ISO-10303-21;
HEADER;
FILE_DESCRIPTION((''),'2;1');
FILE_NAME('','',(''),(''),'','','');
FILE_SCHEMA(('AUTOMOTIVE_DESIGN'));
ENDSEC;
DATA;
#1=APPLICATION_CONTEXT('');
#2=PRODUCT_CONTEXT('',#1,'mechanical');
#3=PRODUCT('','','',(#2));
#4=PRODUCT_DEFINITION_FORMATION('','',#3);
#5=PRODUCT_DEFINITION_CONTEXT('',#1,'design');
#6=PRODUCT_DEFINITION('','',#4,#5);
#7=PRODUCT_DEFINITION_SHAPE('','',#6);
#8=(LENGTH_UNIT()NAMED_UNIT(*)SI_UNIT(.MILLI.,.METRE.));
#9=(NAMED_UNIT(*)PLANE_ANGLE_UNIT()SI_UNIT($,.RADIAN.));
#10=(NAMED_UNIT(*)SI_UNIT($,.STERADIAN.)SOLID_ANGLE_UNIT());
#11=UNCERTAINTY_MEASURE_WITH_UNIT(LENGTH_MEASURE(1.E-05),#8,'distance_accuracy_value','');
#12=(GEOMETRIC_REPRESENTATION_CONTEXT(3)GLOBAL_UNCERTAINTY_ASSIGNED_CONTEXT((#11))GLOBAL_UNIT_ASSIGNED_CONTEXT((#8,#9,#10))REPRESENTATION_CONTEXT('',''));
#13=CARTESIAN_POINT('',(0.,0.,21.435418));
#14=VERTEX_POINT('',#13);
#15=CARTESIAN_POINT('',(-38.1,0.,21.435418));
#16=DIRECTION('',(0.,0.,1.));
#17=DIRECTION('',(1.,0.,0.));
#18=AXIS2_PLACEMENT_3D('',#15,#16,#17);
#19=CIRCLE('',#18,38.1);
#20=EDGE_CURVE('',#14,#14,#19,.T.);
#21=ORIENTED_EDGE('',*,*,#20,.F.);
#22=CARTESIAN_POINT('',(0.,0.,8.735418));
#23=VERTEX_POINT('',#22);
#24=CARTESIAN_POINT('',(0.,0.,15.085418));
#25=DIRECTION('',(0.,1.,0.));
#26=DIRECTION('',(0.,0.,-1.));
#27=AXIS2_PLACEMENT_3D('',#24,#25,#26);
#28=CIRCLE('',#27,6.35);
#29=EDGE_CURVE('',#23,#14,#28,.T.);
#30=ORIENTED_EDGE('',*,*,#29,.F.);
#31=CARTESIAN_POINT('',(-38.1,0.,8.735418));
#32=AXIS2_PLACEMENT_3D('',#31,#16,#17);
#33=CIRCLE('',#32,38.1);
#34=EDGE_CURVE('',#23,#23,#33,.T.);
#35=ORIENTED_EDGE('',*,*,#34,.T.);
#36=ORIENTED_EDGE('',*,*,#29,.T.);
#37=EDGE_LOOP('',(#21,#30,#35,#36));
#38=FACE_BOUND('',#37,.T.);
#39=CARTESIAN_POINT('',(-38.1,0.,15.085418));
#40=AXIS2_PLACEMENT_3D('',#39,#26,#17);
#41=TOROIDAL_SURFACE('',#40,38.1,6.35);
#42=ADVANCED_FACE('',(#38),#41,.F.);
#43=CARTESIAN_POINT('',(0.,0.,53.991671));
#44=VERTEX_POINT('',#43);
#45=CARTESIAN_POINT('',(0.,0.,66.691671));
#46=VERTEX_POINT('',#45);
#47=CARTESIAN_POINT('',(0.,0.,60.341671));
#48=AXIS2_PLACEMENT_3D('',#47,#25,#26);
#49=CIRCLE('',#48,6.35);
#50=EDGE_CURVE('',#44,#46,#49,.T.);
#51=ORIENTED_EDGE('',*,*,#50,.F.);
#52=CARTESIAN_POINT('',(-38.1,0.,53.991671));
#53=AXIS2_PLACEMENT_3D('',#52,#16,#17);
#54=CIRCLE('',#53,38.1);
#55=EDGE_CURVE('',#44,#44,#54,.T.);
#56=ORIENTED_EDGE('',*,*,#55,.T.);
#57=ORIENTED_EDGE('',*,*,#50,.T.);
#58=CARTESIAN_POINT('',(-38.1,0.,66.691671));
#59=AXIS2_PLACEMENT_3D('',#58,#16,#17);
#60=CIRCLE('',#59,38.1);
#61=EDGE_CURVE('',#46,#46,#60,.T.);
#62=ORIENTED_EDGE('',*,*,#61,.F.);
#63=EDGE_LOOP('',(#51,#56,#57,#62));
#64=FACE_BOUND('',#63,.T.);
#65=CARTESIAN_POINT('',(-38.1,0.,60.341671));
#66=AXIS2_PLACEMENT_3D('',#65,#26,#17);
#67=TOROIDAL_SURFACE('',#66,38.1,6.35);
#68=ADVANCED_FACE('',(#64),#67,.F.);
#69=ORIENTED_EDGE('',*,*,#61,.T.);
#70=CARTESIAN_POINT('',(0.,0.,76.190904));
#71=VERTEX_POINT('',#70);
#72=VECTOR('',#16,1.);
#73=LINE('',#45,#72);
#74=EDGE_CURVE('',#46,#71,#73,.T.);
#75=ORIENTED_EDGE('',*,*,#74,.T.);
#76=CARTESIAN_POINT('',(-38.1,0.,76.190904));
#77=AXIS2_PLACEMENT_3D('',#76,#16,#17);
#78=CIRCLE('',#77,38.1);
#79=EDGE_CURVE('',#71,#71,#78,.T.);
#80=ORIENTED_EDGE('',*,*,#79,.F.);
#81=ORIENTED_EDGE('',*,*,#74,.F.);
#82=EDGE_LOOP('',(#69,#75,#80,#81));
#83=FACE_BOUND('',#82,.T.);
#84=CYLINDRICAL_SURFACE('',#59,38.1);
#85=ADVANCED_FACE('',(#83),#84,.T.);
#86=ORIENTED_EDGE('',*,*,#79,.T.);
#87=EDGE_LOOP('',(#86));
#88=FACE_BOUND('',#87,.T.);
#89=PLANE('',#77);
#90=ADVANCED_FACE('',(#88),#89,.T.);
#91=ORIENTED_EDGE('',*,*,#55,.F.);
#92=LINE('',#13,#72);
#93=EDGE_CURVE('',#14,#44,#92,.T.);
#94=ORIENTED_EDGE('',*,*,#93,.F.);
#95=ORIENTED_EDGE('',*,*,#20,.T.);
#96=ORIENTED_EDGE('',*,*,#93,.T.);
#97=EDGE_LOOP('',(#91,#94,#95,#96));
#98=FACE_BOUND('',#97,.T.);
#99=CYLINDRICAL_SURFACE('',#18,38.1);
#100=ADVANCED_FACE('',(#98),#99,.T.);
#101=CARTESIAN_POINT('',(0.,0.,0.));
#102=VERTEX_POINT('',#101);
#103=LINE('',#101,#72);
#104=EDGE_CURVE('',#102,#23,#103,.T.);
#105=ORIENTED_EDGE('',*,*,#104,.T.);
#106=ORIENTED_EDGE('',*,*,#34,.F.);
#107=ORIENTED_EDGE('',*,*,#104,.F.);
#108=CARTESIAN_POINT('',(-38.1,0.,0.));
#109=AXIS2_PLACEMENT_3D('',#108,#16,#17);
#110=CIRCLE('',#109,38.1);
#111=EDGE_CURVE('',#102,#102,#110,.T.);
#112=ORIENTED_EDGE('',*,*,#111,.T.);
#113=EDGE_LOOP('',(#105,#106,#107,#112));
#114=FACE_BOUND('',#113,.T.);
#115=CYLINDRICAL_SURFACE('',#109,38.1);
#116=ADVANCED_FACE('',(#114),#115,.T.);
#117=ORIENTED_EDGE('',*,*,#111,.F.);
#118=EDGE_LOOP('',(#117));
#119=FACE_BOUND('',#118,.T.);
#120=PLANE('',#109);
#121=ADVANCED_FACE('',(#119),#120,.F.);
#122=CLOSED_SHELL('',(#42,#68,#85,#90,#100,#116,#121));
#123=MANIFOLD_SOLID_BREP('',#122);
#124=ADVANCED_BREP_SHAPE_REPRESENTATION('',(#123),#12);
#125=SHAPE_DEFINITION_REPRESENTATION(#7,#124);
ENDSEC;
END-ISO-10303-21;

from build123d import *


with BuildPart() as f1:
    # F0 (on Front) → F1 (revolve)
    with BuildSketch(Plane.XZ):
        with BuildLine():
            Line((-38.1, 0), (0, 0))
            Line((0, 0), (0, 8.735418))
            ThreePointArc((0, 8.735418), (-6.35, 15.085418), (0, 21.435418))
            Line((0, 21.435418), (0, 53.991671))
            ThreePointArc((0, 53.991671), (-6.35, 60.341671), (0, 66.691671))
            Line((0, 66.691671), (0, 76.190904))
            Line((0, 76.190904), (-38.1, 76.190904))
            Line((-38.1, 76.190904), (-38.1, 0))
        make_face()
    revolve(axis=Axis((-38.1, 0, 38.095452), (0, 0, 1)))


solid = f1.part
